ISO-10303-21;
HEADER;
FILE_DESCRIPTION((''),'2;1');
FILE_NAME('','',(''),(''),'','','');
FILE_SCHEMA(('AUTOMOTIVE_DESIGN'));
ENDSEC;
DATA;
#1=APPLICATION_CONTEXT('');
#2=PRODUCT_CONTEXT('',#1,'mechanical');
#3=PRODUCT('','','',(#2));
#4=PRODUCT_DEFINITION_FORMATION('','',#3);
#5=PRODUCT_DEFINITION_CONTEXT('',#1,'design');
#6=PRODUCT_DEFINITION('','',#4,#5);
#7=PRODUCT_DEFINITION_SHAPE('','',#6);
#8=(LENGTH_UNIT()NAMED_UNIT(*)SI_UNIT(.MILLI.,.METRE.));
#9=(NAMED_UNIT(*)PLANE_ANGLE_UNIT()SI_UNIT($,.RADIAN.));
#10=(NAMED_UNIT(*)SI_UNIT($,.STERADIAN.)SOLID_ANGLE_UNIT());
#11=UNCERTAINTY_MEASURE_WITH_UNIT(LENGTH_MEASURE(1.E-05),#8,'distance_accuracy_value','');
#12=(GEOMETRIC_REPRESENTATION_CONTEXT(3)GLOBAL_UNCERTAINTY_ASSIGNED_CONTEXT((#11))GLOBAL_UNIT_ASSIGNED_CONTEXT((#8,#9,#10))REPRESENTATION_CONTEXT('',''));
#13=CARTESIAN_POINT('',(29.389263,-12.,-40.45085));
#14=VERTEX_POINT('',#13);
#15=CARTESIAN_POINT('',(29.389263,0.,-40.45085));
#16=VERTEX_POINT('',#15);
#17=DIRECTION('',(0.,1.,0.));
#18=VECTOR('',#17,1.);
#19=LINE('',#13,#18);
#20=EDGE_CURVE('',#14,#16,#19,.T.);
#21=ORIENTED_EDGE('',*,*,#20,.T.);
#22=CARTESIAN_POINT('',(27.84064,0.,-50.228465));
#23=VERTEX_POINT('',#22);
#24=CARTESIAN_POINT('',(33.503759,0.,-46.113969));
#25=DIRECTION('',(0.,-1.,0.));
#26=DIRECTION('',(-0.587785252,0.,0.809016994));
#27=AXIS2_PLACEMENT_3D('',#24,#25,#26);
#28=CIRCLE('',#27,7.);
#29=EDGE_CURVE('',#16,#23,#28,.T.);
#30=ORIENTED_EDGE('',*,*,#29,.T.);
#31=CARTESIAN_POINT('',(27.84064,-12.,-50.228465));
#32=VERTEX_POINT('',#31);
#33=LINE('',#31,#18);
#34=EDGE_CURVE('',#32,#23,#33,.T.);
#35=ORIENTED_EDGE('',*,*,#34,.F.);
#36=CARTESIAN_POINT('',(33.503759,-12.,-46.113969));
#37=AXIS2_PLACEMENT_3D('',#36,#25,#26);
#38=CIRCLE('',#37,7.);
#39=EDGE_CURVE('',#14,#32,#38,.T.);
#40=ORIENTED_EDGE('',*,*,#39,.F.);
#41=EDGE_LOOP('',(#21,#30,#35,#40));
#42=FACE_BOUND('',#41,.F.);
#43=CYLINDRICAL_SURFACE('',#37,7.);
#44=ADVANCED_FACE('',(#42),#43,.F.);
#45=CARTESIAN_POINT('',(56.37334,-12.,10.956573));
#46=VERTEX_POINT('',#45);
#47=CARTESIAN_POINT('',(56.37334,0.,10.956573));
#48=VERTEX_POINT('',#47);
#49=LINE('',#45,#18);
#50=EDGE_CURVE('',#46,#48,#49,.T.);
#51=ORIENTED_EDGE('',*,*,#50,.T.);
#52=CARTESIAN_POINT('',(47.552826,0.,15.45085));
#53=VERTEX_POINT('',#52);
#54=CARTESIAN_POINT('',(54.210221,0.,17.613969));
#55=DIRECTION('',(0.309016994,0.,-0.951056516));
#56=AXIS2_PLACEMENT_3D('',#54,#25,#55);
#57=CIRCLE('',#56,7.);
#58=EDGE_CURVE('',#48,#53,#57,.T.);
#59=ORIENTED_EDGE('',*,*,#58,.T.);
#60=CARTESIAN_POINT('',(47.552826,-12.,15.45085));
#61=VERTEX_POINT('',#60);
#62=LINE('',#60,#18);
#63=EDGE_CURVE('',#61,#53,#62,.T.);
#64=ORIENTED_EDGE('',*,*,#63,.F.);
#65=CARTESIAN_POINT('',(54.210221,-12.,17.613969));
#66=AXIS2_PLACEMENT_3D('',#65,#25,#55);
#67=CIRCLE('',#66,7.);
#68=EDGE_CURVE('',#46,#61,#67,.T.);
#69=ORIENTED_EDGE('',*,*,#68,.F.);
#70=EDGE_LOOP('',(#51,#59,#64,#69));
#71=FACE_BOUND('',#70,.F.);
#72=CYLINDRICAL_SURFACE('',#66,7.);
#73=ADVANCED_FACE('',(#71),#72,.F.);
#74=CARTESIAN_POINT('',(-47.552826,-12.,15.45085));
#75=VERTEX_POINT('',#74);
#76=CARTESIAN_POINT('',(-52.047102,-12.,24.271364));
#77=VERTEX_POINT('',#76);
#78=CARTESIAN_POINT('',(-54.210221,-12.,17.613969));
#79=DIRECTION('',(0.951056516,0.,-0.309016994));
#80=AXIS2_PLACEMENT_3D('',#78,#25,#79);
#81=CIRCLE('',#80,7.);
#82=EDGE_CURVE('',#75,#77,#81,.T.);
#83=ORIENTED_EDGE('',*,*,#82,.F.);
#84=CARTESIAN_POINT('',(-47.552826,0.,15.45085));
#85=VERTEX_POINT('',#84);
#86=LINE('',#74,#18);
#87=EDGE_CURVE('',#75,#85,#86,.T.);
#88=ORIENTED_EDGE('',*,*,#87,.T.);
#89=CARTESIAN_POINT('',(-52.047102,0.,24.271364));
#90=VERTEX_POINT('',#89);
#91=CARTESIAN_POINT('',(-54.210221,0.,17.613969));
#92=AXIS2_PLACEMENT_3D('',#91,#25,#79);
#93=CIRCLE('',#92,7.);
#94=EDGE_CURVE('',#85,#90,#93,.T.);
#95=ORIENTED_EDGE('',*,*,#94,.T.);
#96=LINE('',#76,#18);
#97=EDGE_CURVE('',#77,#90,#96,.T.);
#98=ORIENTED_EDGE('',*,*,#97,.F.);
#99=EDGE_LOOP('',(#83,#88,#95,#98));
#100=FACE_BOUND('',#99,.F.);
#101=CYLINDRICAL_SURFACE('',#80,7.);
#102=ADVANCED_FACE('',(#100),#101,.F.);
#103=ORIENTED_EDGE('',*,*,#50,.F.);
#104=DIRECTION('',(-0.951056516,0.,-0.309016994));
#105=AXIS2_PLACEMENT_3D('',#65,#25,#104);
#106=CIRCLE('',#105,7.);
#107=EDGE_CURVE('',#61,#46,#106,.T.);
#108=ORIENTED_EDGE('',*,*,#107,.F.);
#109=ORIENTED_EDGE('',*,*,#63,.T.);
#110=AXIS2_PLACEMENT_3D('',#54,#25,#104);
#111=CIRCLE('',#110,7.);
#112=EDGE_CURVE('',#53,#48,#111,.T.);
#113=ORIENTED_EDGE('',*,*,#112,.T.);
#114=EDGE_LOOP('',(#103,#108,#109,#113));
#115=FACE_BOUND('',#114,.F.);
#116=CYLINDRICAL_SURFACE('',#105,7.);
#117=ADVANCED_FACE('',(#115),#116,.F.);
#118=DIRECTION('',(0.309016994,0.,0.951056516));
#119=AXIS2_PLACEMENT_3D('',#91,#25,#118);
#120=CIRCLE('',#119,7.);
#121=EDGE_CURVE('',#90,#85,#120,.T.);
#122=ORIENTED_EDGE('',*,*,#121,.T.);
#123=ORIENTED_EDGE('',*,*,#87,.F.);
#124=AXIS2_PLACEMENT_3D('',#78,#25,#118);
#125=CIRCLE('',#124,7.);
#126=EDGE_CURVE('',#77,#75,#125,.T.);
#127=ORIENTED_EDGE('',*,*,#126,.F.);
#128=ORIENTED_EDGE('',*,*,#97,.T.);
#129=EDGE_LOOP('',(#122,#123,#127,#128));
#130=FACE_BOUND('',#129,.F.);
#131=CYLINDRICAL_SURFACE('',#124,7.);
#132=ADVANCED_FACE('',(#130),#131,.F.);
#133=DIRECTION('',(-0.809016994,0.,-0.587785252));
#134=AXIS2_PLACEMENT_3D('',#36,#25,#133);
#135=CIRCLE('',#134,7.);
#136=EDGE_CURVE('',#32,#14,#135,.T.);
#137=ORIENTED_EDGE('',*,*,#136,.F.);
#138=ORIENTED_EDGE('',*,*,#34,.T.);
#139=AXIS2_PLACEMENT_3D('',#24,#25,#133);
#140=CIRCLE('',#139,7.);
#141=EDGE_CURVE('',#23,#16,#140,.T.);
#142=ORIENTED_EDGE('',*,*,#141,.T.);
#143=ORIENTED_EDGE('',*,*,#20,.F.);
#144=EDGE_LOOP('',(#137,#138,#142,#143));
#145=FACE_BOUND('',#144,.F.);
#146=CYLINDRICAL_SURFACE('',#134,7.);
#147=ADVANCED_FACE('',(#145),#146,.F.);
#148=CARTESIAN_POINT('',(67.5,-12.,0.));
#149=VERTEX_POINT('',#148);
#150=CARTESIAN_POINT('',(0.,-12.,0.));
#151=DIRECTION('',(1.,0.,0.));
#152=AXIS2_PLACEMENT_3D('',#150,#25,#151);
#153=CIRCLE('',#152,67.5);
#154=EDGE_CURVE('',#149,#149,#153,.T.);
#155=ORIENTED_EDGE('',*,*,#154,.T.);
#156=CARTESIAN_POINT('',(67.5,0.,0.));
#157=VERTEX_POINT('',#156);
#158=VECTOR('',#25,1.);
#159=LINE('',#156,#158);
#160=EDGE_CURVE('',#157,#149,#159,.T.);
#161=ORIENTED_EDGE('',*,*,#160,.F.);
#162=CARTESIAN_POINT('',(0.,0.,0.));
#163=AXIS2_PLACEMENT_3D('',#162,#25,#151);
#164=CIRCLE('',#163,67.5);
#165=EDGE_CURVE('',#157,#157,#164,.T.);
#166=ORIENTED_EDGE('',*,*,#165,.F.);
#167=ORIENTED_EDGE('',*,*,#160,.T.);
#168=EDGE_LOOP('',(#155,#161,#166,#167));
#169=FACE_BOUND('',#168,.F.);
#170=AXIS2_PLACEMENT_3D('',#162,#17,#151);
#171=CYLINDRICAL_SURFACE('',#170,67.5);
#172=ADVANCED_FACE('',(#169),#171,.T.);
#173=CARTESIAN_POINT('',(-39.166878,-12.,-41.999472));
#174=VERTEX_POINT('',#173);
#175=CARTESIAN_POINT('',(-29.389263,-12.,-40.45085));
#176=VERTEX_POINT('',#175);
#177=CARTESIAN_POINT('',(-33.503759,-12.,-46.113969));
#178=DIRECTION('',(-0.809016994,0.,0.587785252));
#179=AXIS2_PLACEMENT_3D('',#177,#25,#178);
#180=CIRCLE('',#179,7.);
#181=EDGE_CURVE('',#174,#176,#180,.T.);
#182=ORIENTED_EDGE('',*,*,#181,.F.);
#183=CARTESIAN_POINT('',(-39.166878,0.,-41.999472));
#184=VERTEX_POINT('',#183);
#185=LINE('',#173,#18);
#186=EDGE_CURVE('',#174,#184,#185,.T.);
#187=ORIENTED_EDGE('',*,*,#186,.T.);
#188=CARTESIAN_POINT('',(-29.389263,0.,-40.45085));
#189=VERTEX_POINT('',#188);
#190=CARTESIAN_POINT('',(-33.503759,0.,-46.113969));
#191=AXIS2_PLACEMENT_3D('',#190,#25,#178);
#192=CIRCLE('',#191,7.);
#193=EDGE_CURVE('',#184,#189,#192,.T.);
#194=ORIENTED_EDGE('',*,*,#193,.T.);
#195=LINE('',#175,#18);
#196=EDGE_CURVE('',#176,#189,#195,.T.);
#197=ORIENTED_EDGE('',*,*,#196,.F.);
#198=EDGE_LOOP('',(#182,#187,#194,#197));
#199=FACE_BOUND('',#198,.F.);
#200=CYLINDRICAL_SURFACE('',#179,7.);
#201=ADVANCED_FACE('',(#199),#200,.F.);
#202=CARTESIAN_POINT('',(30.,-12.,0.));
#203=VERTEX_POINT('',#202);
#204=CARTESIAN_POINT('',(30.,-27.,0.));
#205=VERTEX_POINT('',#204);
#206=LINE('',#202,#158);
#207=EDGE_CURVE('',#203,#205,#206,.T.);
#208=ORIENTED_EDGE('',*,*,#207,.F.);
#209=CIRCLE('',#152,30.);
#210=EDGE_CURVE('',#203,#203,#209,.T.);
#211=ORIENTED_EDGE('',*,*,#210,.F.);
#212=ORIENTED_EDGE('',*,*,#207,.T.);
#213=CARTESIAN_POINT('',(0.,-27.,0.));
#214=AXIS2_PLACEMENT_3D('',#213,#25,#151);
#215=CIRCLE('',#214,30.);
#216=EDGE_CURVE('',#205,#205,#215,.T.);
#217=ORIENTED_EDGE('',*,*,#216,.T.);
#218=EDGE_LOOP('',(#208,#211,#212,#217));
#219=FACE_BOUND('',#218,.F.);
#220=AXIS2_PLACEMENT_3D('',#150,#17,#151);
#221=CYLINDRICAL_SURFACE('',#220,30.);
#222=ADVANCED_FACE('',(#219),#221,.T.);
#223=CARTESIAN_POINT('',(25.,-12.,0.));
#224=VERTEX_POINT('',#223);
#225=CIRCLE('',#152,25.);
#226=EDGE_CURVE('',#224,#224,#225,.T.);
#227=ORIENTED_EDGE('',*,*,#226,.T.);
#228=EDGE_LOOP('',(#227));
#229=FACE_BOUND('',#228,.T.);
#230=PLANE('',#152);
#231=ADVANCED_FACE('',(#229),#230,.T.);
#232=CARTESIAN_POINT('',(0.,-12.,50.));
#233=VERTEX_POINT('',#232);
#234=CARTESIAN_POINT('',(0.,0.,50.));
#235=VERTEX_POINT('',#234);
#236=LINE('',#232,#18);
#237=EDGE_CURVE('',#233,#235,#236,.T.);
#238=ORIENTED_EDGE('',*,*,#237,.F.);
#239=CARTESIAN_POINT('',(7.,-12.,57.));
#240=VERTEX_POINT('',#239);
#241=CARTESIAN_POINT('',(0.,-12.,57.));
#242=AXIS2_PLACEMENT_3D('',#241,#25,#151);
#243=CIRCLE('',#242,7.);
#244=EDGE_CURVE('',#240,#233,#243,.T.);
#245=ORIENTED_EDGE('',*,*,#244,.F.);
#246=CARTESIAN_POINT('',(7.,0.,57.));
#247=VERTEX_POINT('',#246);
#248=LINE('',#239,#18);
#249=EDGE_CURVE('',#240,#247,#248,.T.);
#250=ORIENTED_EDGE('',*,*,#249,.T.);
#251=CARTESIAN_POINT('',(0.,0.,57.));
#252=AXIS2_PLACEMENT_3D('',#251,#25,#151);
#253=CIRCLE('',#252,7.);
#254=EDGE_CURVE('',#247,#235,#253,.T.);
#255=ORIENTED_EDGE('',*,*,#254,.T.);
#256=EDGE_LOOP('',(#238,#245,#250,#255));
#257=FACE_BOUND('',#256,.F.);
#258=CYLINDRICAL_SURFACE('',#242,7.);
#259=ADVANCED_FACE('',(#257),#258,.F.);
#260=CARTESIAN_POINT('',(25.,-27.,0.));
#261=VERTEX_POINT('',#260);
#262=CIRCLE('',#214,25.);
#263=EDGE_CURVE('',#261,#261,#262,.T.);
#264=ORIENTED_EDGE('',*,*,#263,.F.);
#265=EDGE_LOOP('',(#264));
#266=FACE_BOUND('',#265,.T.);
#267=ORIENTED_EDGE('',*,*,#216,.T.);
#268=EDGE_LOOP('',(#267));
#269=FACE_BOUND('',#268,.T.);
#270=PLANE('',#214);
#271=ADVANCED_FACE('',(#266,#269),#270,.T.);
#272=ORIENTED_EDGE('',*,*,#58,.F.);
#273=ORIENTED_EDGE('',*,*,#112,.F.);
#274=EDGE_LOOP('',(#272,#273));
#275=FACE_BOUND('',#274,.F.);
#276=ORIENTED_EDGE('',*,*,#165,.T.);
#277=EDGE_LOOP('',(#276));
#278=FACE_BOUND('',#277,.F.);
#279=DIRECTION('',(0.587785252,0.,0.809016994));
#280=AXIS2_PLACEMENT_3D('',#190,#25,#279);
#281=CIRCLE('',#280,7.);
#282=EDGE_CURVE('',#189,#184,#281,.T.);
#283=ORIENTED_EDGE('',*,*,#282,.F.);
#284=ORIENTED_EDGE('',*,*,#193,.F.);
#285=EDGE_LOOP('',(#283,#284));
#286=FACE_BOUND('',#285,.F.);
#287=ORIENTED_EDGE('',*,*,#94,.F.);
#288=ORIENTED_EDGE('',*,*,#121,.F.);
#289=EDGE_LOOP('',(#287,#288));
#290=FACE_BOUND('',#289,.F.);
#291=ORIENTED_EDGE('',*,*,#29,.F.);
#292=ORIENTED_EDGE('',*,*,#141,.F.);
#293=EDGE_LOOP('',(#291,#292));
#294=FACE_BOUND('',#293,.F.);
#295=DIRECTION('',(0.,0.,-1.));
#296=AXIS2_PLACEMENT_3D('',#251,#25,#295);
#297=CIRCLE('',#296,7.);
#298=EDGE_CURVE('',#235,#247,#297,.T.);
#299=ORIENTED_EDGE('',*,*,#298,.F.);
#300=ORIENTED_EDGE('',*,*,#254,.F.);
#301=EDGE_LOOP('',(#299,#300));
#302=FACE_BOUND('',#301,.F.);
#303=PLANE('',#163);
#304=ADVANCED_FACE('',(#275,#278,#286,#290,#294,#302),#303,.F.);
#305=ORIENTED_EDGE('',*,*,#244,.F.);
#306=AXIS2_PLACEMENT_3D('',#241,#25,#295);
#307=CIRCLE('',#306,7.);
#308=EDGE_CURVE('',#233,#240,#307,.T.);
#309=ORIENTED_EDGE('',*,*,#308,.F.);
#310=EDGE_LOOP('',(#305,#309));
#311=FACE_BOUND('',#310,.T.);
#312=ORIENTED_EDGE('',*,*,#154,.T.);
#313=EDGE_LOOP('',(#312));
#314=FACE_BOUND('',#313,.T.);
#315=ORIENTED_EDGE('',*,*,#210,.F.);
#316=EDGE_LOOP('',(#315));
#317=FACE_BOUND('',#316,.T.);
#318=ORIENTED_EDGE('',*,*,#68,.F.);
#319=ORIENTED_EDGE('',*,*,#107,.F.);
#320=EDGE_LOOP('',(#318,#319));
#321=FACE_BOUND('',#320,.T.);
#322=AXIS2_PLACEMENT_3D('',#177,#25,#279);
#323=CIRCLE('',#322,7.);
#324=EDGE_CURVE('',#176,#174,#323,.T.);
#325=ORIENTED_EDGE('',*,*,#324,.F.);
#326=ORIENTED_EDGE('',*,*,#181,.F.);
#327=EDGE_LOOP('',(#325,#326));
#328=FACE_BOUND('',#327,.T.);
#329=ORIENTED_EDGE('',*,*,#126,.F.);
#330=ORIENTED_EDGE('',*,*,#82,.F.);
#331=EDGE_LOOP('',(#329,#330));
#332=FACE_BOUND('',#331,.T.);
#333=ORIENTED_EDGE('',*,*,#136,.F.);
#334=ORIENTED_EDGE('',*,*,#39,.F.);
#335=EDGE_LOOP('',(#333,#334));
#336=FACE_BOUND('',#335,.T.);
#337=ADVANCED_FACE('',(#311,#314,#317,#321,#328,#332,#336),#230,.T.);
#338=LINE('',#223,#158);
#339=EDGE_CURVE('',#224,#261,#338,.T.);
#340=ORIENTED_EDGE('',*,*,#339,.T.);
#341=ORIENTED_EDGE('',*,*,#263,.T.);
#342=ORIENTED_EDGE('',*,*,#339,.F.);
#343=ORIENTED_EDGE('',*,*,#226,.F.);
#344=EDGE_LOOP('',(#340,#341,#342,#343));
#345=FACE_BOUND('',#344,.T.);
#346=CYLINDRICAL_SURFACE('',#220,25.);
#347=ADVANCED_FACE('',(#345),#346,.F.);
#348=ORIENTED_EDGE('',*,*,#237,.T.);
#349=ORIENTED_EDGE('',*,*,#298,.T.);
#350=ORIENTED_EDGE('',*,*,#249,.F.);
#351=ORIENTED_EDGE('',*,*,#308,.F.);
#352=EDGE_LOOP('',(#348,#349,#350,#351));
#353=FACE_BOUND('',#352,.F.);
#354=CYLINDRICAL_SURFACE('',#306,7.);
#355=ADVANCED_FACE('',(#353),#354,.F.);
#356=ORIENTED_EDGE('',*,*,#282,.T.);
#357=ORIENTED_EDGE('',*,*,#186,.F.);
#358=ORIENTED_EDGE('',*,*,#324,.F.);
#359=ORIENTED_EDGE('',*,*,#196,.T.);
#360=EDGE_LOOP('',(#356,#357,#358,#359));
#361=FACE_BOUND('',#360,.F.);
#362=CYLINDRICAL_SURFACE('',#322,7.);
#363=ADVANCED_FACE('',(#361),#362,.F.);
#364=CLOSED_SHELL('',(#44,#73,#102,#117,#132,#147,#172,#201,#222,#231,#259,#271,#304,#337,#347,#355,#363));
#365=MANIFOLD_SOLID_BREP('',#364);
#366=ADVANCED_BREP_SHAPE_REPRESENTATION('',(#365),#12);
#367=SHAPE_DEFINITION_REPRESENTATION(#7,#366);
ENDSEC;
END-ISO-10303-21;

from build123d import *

# Parameters (mm, degrees)
F0_R     = 67.5
F1_DEPTH = 12
F2_R     = 30
F2_R_2   = 25
F3_DEPTH = 15
F5_DEPTH = 15
F6_COUNT = 5


with BuildPart() as f1:
    # F0 (on Front) → F1 (new body)
    with BuildSketch(Plane.XZ):
        Circle(F0_R)
    extrude(amount=F1_DEPTH)

    # F2 (on face) → F3 (join)
    with BuildSketch(Plane.XZ.offset(12)):
        Circle(F2_R)
        Circle(F2_R_2, mode=Mode.SUBTRACT)
    extrude(amount=F3_DEPTH)

    # F4 (on face) → F5 (cut)
    with BuildSketch(Plane.XZ.offset(12)):
        with BuildLine():
            ThreePointArc((0, 50), (4.9497474683, 52.0502525317), (7, 57))
            ThreePointArc((7, 57), (-4.9497474683, 61.9497474683), (0, 50))
        make_face()
    f5 = extrude(amount=-F5_DEPTH, mode=Mode.SUBTRACT)

    # F6: F5 ×5 about axis
    f6_axis = Axis((0, -12, 0), (0, -1, 0))
    for i in range(1, F6_COUNT):
        add(f5.rotate(f6_axis, i * 360 / F6_COUNT), mode=Mode.SUBTRACT)


solid = f1.part
